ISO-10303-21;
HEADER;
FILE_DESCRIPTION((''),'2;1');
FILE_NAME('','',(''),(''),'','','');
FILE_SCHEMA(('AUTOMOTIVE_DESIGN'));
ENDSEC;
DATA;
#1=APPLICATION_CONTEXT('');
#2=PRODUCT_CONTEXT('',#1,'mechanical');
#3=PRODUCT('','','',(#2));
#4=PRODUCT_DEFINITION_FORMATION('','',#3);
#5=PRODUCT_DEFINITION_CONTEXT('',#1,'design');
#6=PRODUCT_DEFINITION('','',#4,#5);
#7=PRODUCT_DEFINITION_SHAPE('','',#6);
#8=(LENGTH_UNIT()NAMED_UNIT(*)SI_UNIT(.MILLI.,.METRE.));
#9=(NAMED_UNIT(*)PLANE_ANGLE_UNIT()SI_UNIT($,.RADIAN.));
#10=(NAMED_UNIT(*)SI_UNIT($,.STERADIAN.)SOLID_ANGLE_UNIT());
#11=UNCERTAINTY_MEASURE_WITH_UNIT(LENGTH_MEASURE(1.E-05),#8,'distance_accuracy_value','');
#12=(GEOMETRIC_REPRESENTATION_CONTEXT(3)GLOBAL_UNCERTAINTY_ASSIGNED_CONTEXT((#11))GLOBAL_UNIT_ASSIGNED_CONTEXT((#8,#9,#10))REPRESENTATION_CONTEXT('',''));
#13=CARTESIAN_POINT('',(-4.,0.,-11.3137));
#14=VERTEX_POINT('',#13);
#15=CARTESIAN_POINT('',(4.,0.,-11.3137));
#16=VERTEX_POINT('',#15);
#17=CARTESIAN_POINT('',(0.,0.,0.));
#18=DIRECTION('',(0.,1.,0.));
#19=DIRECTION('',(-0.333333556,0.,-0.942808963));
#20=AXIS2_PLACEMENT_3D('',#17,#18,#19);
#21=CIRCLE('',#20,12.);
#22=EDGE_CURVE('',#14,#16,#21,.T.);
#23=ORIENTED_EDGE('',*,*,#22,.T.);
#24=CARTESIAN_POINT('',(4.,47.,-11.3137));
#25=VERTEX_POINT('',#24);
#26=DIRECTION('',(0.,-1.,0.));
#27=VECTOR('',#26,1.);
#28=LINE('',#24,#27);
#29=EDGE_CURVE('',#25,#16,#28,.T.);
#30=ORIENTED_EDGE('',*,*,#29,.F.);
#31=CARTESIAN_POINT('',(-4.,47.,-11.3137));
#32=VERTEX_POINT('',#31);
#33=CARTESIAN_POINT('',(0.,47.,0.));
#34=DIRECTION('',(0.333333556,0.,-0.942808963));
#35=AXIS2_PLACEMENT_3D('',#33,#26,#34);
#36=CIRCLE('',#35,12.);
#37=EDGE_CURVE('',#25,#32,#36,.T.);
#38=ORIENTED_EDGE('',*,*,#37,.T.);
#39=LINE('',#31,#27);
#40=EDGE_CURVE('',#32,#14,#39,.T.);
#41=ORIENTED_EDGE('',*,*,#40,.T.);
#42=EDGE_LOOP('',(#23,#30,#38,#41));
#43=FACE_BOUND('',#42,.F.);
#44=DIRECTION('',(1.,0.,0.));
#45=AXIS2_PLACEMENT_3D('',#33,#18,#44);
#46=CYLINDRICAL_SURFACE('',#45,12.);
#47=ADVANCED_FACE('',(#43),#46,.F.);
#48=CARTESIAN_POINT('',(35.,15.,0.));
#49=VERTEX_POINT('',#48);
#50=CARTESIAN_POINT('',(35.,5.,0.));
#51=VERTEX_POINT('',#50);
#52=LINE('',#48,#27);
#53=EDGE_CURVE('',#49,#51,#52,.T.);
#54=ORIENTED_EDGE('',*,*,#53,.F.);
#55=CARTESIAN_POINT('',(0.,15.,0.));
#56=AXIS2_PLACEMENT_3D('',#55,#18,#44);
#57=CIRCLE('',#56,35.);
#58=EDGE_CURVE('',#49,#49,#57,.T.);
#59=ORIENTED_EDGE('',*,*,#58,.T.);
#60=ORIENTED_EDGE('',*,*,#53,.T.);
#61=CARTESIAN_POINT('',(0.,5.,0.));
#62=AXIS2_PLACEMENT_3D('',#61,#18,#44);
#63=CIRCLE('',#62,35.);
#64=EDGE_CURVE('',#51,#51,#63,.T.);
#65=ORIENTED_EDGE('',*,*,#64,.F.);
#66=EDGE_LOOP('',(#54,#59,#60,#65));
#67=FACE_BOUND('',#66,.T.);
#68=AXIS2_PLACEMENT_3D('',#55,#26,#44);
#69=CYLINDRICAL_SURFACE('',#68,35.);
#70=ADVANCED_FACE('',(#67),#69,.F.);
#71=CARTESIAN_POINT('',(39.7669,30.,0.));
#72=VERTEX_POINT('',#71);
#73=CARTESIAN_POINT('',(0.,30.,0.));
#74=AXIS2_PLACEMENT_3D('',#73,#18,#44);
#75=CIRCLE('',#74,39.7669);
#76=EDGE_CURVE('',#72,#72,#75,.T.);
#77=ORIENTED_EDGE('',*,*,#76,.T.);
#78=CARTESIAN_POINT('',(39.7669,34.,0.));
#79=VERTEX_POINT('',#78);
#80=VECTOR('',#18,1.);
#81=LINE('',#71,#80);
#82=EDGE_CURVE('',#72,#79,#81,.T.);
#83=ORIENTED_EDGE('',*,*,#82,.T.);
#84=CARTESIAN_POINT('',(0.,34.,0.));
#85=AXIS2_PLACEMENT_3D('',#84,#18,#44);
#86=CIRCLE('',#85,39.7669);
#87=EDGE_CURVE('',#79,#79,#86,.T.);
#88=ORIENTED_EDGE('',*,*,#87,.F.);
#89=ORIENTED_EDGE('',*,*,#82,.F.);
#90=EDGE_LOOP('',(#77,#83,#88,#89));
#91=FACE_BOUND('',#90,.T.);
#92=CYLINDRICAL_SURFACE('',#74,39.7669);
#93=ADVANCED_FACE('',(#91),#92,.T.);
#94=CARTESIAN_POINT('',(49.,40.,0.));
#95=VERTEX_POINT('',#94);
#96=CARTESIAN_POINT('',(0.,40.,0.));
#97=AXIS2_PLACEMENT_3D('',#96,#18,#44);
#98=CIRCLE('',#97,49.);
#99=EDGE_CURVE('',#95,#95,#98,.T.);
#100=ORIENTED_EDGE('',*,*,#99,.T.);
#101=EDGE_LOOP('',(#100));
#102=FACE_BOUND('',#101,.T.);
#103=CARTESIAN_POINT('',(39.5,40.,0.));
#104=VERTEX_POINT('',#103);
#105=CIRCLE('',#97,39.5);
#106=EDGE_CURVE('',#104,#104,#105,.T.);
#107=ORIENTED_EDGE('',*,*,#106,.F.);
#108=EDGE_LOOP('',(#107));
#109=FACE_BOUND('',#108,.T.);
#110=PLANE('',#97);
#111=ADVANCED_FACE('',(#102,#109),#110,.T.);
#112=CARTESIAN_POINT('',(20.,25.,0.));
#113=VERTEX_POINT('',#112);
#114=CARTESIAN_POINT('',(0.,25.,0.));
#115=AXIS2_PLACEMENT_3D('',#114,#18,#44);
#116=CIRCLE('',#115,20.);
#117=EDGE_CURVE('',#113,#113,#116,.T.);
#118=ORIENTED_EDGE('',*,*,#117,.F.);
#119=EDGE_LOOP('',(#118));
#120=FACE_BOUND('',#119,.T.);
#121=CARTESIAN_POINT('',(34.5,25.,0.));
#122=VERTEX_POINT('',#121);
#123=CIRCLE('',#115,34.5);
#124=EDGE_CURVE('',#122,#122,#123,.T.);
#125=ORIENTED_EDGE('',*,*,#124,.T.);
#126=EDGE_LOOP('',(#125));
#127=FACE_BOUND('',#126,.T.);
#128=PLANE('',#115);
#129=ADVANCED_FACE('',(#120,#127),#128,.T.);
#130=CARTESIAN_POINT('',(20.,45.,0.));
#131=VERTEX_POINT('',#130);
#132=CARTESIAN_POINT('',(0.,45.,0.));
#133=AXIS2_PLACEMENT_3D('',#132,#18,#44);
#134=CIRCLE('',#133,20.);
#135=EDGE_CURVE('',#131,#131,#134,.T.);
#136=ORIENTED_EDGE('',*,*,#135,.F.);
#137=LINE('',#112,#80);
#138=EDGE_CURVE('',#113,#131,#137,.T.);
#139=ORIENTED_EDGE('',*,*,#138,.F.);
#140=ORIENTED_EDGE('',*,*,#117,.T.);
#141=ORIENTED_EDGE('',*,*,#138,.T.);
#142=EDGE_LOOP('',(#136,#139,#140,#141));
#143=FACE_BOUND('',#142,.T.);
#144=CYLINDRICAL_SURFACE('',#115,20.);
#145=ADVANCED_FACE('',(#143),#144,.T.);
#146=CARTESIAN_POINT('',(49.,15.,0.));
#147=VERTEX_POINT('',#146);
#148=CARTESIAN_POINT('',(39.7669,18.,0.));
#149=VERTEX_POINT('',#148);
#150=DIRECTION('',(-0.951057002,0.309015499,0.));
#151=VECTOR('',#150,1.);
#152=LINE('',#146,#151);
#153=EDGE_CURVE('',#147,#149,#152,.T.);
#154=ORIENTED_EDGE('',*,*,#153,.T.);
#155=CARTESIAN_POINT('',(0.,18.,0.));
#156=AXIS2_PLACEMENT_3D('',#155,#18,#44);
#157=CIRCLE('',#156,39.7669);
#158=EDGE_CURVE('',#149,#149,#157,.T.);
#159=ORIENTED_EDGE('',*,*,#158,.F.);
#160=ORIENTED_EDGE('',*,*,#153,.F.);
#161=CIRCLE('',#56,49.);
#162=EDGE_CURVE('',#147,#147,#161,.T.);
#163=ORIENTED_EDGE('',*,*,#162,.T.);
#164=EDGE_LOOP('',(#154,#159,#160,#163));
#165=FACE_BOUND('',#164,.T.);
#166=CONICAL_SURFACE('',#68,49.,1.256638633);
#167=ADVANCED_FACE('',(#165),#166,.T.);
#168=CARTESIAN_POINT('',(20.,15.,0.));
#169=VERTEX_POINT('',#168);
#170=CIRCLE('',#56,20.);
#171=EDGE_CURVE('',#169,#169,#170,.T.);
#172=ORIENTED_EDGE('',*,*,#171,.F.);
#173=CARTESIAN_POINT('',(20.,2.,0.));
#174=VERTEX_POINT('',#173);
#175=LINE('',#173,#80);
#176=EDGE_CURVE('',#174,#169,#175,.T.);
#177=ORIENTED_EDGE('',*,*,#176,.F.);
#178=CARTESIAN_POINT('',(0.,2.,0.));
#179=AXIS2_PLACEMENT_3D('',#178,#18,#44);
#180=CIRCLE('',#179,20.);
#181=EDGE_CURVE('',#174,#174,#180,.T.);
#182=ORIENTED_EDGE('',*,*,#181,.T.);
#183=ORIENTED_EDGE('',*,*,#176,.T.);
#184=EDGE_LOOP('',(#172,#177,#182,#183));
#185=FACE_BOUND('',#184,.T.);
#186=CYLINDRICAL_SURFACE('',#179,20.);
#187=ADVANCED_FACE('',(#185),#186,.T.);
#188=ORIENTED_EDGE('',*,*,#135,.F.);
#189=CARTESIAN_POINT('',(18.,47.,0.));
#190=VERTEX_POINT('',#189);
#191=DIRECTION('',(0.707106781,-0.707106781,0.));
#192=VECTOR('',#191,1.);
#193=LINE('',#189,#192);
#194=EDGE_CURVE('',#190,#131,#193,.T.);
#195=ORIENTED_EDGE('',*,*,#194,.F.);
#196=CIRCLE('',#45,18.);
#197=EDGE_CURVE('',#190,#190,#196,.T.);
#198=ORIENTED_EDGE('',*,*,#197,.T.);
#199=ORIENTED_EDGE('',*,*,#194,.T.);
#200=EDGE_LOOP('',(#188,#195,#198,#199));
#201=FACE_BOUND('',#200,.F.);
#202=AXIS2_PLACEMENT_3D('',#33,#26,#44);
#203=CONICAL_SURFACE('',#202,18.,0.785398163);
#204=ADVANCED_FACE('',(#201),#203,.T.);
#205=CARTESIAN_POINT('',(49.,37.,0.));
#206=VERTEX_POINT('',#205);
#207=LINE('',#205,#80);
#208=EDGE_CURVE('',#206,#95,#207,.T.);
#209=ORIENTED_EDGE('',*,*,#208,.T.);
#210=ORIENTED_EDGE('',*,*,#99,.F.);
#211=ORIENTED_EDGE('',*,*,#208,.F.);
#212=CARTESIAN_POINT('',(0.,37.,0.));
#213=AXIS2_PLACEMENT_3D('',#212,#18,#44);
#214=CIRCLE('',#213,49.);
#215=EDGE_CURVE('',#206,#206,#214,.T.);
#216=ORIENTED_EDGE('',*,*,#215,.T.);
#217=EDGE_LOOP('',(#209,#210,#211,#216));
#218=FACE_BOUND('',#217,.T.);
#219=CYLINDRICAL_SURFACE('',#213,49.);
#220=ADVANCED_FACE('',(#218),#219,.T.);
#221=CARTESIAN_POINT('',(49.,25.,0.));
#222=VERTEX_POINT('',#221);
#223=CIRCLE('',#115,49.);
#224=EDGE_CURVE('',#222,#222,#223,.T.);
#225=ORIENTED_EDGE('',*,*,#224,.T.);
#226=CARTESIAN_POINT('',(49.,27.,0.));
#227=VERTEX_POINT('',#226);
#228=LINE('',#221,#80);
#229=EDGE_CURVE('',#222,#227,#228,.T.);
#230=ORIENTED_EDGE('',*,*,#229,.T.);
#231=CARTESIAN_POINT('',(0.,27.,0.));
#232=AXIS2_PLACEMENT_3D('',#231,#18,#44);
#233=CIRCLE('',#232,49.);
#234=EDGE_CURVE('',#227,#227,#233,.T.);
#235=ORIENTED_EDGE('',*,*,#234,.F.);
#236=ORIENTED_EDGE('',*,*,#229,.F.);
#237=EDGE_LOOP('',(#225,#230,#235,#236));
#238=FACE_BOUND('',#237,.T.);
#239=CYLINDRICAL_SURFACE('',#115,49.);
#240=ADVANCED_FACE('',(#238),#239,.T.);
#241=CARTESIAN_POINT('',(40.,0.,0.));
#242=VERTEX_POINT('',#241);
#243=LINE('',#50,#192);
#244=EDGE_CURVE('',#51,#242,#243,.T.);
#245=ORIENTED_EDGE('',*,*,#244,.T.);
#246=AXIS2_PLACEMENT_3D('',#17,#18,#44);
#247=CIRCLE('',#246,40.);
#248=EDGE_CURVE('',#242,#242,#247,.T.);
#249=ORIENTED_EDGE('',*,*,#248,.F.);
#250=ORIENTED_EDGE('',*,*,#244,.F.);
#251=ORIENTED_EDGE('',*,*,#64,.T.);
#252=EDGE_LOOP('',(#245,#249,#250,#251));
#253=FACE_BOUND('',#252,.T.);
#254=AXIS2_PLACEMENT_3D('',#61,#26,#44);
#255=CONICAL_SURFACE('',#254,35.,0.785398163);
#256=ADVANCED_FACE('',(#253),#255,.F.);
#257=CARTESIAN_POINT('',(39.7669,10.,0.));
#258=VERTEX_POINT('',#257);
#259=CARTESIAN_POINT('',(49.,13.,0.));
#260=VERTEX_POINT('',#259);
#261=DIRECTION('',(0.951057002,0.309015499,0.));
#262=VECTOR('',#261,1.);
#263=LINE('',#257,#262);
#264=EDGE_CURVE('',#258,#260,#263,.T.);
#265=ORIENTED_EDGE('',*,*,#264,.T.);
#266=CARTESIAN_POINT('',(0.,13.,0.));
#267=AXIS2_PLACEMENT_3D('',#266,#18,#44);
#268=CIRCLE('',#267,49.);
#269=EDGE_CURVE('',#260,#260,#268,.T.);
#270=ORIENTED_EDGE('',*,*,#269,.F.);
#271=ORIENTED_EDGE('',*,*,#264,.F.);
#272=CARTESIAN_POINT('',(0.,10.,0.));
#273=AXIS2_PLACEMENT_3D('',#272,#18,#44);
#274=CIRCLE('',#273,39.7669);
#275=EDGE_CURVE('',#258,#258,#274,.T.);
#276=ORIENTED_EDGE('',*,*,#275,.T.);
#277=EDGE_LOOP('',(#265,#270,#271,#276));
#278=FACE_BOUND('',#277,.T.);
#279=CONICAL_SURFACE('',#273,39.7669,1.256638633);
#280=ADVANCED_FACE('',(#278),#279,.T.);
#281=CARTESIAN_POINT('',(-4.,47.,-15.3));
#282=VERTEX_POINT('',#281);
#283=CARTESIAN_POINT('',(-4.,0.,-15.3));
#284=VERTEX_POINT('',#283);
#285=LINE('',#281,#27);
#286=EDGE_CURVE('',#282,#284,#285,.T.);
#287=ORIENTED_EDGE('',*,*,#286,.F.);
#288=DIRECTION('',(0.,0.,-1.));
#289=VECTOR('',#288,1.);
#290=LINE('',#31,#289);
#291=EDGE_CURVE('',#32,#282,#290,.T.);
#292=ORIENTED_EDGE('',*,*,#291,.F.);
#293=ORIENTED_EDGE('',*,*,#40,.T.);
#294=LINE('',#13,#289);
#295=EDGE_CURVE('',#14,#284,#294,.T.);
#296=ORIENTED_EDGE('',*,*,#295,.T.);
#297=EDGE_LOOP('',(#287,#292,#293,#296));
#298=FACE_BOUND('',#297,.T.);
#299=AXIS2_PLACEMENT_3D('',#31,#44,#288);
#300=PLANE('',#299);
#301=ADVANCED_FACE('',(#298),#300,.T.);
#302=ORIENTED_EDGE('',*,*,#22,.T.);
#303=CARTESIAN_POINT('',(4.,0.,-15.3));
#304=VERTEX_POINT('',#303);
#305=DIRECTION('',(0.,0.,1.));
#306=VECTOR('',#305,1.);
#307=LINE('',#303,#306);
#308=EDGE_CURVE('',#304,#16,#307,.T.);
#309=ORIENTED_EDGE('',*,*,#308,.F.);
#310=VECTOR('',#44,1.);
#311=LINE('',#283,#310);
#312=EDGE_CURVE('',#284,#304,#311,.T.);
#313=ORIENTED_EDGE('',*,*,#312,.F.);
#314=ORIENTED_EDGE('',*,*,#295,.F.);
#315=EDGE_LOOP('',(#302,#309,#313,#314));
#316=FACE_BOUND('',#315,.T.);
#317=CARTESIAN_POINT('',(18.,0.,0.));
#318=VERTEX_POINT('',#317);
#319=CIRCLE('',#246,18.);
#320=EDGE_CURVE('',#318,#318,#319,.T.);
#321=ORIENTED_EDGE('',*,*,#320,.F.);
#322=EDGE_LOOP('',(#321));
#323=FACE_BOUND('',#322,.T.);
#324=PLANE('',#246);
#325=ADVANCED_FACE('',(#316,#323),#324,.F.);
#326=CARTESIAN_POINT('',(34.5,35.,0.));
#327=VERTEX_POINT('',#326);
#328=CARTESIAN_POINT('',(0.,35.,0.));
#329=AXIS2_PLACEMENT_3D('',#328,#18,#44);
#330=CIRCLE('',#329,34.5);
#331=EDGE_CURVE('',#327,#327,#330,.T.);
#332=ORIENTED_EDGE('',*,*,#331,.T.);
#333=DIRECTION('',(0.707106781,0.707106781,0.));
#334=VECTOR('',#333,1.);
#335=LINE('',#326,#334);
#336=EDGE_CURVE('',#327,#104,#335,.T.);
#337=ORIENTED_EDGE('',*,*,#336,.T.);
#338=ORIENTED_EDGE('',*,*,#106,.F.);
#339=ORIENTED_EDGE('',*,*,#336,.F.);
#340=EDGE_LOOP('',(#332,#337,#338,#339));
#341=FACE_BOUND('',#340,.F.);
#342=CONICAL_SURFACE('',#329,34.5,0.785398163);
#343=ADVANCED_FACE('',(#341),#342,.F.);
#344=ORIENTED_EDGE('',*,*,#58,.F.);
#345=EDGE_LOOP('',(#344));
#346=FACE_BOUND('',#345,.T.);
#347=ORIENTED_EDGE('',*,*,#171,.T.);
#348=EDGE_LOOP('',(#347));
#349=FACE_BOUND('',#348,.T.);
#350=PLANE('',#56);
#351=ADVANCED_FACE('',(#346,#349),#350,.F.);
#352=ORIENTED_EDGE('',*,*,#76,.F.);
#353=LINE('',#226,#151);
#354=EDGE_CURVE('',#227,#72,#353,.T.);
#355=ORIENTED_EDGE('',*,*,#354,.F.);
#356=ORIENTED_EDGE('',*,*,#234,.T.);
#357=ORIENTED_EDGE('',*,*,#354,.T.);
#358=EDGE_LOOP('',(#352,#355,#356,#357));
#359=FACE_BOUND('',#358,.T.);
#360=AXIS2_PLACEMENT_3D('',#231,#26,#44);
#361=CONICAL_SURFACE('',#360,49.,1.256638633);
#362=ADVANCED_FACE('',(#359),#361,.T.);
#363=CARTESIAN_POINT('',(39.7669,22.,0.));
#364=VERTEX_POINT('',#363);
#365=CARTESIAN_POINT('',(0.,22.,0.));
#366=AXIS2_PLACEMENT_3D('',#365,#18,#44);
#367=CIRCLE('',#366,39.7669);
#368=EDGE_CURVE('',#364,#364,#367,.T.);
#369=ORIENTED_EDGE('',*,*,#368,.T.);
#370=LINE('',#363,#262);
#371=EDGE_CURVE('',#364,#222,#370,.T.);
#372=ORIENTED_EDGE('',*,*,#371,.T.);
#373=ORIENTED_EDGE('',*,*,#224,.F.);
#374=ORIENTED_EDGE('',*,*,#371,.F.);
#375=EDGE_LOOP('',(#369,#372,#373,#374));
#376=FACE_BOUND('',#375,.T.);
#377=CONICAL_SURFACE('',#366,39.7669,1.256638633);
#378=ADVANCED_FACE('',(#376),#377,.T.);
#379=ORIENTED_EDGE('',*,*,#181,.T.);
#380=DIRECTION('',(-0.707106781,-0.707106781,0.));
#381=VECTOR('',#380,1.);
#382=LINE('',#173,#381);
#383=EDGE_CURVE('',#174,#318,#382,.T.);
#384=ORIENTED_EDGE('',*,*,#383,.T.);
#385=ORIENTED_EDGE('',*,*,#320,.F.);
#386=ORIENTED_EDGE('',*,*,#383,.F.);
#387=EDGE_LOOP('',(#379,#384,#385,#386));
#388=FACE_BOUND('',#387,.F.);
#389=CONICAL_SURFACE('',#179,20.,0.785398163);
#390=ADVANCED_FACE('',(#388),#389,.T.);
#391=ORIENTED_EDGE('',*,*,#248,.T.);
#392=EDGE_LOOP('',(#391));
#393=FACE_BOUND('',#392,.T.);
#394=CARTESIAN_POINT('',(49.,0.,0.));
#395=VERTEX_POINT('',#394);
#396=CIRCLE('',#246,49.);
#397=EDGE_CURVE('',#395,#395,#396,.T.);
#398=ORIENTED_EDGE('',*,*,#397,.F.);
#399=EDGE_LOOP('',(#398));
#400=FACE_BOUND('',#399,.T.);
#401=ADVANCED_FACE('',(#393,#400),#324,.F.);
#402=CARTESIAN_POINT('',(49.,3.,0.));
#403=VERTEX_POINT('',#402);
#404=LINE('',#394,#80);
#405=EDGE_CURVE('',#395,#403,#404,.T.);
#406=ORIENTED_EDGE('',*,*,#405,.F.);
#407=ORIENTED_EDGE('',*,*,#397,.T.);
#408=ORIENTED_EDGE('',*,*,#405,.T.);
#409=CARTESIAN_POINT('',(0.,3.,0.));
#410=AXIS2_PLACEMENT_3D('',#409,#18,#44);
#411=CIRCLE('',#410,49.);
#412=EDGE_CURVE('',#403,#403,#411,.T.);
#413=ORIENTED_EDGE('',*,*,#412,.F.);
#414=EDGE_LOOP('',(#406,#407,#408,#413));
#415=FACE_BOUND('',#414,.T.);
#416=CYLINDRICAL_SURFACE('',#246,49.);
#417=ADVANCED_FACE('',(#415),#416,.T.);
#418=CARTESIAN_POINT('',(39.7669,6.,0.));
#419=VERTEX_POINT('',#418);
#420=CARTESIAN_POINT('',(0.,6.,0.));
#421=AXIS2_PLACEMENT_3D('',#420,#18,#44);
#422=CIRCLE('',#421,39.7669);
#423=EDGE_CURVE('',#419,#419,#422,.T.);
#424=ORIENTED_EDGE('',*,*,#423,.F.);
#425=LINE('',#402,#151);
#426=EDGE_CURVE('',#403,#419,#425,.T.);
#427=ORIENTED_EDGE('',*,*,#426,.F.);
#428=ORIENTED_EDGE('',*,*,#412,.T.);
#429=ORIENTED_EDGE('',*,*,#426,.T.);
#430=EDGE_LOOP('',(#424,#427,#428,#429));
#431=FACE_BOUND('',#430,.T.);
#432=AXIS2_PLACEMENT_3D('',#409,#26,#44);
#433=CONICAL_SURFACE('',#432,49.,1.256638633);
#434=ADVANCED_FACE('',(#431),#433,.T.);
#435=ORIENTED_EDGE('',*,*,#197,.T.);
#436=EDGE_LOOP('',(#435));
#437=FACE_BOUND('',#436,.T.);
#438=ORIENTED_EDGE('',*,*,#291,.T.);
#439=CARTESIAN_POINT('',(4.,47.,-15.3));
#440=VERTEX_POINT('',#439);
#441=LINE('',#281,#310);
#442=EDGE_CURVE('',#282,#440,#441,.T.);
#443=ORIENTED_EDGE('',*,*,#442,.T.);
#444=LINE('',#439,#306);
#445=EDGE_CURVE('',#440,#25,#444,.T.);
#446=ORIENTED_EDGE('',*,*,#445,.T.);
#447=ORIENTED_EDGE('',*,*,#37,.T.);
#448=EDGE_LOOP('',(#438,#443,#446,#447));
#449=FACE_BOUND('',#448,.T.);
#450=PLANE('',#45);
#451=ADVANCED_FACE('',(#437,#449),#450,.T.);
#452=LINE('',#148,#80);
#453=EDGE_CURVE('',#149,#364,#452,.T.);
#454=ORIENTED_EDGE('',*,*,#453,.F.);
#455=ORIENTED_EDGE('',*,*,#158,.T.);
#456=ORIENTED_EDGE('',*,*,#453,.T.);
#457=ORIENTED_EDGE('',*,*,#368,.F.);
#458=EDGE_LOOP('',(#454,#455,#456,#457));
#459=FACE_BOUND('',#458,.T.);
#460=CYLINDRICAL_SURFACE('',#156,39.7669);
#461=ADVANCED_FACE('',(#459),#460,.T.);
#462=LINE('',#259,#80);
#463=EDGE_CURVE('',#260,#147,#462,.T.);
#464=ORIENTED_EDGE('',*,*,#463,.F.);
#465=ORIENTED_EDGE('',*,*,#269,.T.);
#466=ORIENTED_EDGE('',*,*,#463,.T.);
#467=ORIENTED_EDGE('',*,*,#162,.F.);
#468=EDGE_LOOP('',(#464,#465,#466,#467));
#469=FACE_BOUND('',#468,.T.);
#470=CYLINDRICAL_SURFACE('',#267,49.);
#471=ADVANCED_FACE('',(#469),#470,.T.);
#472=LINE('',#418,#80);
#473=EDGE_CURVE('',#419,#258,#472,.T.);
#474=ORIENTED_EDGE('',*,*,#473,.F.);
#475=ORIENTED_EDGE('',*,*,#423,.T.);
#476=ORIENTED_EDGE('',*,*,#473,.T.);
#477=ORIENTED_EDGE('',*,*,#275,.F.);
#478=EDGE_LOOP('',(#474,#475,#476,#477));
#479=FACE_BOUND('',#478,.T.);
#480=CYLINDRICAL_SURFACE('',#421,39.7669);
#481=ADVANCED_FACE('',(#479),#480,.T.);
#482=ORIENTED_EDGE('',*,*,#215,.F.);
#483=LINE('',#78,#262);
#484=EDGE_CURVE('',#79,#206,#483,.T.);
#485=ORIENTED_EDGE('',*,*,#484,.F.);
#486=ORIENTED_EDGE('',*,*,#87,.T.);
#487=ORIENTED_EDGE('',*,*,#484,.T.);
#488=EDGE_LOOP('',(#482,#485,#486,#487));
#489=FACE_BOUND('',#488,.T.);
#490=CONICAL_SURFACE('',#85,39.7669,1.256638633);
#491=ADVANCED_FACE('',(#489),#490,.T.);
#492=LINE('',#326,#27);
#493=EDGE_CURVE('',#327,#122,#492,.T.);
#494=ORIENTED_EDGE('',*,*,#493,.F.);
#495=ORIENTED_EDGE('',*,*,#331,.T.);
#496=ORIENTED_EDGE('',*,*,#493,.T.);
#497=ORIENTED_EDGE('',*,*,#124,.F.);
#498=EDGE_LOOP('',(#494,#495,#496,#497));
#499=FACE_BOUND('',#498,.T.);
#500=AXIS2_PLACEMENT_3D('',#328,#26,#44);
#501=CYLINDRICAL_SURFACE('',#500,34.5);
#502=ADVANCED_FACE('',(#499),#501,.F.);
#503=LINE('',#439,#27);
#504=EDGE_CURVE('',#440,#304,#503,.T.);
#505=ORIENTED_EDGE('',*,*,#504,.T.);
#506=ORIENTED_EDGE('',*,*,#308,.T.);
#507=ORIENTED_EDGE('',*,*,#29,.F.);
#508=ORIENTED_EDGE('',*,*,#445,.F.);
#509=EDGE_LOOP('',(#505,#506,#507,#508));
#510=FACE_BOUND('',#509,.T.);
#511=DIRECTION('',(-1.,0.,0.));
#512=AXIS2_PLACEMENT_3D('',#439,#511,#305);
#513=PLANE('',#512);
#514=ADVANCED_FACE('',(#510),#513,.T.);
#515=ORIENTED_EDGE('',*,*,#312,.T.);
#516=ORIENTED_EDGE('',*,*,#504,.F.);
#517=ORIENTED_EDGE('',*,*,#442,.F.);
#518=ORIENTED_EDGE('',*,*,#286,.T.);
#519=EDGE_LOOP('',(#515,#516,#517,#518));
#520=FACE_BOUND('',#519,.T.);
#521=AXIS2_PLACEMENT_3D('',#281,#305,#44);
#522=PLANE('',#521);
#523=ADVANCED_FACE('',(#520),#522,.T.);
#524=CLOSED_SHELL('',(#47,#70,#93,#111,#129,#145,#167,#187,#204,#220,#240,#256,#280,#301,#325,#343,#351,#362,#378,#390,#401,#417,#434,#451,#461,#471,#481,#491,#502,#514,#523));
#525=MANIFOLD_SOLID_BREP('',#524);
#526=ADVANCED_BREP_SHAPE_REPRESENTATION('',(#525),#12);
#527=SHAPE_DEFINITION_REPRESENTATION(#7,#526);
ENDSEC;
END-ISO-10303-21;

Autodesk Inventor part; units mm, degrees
ref_plane "YZ Plane" through (0, 0, 0) normal (1, 0, 0) x (0, 1, 0)
ref_plane "XZ Plane" through (0, 0, 0) normal (0, 1, 0) x (-1, 0, 0)
ref_plane "XY Plane" through (0, 0, 0) normal (0, 0, 1) x (1, 0, 0)
sketch "Sketch1" plane through (0, 0, 0) normal (0, 0, 1) x (1, 0, 0)
  line L0 (0, 0) -> (0, 47)
  line L1 (0, 0) -> (18, 0)
  line L2 (20, 2) -> (20, 15)
  line L3 (20, 15) -> (35, 15)
  line L4 (35, 15) -> (35, 5)
  line L5 (40, 0) -> (49, 0)
  line L6 (49, 0) -> (49, 3)
  line L7 (49, 3) -> (39.7669, 6)
  line L8 (39.7669, 6) -> (39.7669, 10)
  line L9 (39.7669, 10) -> (49, 13)
  line L10 (49, 13) -> (49, 15)
  line L11 (49, 15) -> (39.7669, 18)
  line L12 (39.7669, 18) -> (39.7669, 22)
  line L13 (39.7669, 22) -> (49, 25)
  line L14 (49, 25) -> (49, 27)
  line L15 (49, 27) -> (39.7669, 30)
  line L16 (39.7669, 30) -> (39.7669, 34)
  line L17 (39.7669, 34) -> (49, 37)
  line L18 (49, 37) -> (49, 40)
  line L19 (49, 40) -> (39.5, 40)
  line L20 (34.5, 35) -> (34.5, 25)
  line L21 (34.5, 25) -> (20, 25)
  line L22 (20, 25) -> (20, 45)
  line L23 (18, 47) -> (0, 47)
  line L24 (18, 47) -> (20, 45)
  line L25 (20, 2) -> (18, 0)
  line L26 (35, 5) -> (40, 0)
  line L27 (34.5, 35) -> (39.5, 40)
  point P0 (20, 0)
  point P1 (35, 0)
  point P2 (39.7669, 8)
  point P3 (39.7669, 20)
  point P4 (34.5, 40)
  point P5 (20, 47)
  dimension "d0" = 40
  dimension "d1" = 70
  dimension "d2" = 98
  dimension "d3" = 15
  dimension "d4" = 4
  dimension "d5" = 10
  dimension "d6" = 8
  dimension "d7" = 12
  dimension "d8" = 36
  dimension "d9" = 18
  dimension "d10" = 40
  dimension "d11" = 15
  dimension "d12" = 40
  dimension "d13" = 47
  dimension "d14" = 2
  dimension "d15" = 45
  dimension "d16" = 2
  dimension "d17" = 45
  dimension "d18" = 5
  dimension "d19" = 45
  dimension "d20" = 5
  dimension "d21" = 45
  dimension "d22" = 9.5
revolve "Revolution1" add sketch "Sketch1" angle 360 about axis through (0, 0, 0) along (0, 1, 0)
sketch "Sketch2" plane through (0, 47, 0) normal (0, 1, 0) x (1, 0, 0)
  circle A0 centre (0, 0) radius 12
  line L0 (-4, 11.3137) -> (-4, 15.3)
  line L1 (-4, 15.3) -> (4, 15.3)
  line L2 (4, 15.3) -> (4, 11.3137)
  point P0 (0, -12)
  dimension "d24" = 24
  dimension "d25" = 27.3
  dimension "d26" = 8
extrude "Extrusion1" cut sketch "Sketch2" against normal up to surface (47 mm away)
equation "\"d9\" = 0.5 * d8"
equation "\"d16\" = d14"
equation "\"d17\" = d15"
equation "\"d20\" = d18"
equation "\"d21\" = d19"
properties part number "V-Belt_Pulley_3_Groove"
